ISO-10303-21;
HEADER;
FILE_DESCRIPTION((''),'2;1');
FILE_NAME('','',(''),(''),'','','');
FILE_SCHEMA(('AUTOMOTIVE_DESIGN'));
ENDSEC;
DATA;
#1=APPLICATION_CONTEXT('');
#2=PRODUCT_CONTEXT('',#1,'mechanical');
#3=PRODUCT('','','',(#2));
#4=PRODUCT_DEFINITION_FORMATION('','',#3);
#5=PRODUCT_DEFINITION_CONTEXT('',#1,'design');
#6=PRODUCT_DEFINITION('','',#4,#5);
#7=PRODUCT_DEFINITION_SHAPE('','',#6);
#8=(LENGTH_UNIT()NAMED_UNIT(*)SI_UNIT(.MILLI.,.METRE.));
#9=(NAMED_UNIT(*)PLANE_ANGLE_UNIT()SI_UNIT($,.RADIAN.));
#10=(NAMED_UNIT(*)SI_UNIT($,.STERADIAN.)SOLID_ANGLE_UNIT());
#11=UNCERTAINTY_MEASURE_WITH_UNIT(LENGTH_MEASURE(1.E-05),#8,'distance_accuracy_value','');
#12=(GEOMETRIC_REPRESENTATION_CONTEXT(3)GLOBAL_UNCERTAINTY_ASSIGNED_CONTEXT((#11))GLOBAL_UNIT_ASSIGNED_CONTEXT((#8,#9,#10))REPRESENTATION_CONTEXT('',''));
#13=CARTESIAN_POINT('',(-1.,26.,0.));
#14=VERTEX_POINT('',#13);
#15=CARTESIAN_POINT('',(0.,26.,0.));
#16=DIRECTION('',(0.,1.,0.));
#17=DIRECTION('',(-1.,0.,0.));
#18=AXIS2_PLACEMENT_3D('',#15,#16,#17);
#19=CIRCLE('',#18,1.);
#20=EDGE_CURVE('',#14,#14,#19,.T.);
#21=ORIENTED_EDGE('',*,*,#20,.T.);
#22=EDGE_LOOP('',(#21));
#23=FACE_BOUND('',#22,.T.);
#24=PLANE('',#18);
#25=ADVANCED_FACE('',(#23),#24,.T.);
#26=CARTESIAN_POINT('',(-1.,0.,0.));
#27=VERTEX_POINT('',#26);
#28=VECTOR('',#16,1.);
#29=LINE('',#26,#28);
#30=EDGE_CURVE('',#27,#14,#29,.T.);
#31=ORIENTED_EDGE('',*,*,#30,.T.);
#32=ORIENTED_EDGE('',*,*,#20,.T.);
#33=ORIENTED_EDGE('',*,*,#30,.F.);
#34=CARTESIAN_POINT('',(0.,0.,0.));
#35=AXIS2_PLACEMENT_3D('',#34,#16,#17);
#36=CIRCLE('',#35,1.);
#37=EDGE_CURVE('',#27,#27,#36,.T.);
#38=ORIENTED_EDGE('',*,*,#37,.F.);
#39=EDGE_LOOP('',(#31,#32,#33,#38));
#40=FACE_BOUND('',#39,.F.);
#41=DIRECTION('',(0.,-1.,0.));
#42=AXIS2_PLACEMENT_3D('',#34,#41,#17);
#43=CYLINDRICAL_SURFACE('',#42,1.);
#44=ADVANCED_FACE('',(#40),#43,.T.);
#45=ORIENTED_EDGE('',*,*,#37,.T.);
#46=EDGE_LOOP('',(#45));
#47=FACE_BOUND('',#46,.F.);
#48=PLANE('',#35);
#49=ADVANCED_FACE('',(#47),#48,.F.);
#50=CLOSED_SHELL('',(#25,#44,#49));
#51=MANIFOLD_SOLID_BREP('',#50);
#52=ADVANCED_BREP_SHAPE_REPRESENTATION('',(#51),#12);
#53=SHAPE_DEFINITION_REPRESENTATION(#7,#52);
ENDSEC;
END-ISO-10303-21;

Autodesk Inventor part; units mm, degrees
ref_plane "YZ Plane" through (0, 0, 0) normal (1, 0, 0) x (0, 1, 0)
ref_plane "XZ Plane" through (0, 0, 0) normal (0, 1, 0) x (-1, 0, 0)
ref_plane "XY Plane" through (0, 0, 0) normal (0, 0, 1) x (1, 0, 0)
sketch "Sketch1" plane through (0, 0, 0) normal (0, 1, 0) x (-1, 0, 0)
  circle A0 centre (0, 0) radius 1
  dimension "d0" = 2
extrude "Extrusion1" add sketch "Sketch1" along normal blind 26
ref_plane "Work Plane1" through (0, -30, 0) normal (0, -1, 0) x (1, 0, 0)
properties part number "LaserBeamEntry1"
